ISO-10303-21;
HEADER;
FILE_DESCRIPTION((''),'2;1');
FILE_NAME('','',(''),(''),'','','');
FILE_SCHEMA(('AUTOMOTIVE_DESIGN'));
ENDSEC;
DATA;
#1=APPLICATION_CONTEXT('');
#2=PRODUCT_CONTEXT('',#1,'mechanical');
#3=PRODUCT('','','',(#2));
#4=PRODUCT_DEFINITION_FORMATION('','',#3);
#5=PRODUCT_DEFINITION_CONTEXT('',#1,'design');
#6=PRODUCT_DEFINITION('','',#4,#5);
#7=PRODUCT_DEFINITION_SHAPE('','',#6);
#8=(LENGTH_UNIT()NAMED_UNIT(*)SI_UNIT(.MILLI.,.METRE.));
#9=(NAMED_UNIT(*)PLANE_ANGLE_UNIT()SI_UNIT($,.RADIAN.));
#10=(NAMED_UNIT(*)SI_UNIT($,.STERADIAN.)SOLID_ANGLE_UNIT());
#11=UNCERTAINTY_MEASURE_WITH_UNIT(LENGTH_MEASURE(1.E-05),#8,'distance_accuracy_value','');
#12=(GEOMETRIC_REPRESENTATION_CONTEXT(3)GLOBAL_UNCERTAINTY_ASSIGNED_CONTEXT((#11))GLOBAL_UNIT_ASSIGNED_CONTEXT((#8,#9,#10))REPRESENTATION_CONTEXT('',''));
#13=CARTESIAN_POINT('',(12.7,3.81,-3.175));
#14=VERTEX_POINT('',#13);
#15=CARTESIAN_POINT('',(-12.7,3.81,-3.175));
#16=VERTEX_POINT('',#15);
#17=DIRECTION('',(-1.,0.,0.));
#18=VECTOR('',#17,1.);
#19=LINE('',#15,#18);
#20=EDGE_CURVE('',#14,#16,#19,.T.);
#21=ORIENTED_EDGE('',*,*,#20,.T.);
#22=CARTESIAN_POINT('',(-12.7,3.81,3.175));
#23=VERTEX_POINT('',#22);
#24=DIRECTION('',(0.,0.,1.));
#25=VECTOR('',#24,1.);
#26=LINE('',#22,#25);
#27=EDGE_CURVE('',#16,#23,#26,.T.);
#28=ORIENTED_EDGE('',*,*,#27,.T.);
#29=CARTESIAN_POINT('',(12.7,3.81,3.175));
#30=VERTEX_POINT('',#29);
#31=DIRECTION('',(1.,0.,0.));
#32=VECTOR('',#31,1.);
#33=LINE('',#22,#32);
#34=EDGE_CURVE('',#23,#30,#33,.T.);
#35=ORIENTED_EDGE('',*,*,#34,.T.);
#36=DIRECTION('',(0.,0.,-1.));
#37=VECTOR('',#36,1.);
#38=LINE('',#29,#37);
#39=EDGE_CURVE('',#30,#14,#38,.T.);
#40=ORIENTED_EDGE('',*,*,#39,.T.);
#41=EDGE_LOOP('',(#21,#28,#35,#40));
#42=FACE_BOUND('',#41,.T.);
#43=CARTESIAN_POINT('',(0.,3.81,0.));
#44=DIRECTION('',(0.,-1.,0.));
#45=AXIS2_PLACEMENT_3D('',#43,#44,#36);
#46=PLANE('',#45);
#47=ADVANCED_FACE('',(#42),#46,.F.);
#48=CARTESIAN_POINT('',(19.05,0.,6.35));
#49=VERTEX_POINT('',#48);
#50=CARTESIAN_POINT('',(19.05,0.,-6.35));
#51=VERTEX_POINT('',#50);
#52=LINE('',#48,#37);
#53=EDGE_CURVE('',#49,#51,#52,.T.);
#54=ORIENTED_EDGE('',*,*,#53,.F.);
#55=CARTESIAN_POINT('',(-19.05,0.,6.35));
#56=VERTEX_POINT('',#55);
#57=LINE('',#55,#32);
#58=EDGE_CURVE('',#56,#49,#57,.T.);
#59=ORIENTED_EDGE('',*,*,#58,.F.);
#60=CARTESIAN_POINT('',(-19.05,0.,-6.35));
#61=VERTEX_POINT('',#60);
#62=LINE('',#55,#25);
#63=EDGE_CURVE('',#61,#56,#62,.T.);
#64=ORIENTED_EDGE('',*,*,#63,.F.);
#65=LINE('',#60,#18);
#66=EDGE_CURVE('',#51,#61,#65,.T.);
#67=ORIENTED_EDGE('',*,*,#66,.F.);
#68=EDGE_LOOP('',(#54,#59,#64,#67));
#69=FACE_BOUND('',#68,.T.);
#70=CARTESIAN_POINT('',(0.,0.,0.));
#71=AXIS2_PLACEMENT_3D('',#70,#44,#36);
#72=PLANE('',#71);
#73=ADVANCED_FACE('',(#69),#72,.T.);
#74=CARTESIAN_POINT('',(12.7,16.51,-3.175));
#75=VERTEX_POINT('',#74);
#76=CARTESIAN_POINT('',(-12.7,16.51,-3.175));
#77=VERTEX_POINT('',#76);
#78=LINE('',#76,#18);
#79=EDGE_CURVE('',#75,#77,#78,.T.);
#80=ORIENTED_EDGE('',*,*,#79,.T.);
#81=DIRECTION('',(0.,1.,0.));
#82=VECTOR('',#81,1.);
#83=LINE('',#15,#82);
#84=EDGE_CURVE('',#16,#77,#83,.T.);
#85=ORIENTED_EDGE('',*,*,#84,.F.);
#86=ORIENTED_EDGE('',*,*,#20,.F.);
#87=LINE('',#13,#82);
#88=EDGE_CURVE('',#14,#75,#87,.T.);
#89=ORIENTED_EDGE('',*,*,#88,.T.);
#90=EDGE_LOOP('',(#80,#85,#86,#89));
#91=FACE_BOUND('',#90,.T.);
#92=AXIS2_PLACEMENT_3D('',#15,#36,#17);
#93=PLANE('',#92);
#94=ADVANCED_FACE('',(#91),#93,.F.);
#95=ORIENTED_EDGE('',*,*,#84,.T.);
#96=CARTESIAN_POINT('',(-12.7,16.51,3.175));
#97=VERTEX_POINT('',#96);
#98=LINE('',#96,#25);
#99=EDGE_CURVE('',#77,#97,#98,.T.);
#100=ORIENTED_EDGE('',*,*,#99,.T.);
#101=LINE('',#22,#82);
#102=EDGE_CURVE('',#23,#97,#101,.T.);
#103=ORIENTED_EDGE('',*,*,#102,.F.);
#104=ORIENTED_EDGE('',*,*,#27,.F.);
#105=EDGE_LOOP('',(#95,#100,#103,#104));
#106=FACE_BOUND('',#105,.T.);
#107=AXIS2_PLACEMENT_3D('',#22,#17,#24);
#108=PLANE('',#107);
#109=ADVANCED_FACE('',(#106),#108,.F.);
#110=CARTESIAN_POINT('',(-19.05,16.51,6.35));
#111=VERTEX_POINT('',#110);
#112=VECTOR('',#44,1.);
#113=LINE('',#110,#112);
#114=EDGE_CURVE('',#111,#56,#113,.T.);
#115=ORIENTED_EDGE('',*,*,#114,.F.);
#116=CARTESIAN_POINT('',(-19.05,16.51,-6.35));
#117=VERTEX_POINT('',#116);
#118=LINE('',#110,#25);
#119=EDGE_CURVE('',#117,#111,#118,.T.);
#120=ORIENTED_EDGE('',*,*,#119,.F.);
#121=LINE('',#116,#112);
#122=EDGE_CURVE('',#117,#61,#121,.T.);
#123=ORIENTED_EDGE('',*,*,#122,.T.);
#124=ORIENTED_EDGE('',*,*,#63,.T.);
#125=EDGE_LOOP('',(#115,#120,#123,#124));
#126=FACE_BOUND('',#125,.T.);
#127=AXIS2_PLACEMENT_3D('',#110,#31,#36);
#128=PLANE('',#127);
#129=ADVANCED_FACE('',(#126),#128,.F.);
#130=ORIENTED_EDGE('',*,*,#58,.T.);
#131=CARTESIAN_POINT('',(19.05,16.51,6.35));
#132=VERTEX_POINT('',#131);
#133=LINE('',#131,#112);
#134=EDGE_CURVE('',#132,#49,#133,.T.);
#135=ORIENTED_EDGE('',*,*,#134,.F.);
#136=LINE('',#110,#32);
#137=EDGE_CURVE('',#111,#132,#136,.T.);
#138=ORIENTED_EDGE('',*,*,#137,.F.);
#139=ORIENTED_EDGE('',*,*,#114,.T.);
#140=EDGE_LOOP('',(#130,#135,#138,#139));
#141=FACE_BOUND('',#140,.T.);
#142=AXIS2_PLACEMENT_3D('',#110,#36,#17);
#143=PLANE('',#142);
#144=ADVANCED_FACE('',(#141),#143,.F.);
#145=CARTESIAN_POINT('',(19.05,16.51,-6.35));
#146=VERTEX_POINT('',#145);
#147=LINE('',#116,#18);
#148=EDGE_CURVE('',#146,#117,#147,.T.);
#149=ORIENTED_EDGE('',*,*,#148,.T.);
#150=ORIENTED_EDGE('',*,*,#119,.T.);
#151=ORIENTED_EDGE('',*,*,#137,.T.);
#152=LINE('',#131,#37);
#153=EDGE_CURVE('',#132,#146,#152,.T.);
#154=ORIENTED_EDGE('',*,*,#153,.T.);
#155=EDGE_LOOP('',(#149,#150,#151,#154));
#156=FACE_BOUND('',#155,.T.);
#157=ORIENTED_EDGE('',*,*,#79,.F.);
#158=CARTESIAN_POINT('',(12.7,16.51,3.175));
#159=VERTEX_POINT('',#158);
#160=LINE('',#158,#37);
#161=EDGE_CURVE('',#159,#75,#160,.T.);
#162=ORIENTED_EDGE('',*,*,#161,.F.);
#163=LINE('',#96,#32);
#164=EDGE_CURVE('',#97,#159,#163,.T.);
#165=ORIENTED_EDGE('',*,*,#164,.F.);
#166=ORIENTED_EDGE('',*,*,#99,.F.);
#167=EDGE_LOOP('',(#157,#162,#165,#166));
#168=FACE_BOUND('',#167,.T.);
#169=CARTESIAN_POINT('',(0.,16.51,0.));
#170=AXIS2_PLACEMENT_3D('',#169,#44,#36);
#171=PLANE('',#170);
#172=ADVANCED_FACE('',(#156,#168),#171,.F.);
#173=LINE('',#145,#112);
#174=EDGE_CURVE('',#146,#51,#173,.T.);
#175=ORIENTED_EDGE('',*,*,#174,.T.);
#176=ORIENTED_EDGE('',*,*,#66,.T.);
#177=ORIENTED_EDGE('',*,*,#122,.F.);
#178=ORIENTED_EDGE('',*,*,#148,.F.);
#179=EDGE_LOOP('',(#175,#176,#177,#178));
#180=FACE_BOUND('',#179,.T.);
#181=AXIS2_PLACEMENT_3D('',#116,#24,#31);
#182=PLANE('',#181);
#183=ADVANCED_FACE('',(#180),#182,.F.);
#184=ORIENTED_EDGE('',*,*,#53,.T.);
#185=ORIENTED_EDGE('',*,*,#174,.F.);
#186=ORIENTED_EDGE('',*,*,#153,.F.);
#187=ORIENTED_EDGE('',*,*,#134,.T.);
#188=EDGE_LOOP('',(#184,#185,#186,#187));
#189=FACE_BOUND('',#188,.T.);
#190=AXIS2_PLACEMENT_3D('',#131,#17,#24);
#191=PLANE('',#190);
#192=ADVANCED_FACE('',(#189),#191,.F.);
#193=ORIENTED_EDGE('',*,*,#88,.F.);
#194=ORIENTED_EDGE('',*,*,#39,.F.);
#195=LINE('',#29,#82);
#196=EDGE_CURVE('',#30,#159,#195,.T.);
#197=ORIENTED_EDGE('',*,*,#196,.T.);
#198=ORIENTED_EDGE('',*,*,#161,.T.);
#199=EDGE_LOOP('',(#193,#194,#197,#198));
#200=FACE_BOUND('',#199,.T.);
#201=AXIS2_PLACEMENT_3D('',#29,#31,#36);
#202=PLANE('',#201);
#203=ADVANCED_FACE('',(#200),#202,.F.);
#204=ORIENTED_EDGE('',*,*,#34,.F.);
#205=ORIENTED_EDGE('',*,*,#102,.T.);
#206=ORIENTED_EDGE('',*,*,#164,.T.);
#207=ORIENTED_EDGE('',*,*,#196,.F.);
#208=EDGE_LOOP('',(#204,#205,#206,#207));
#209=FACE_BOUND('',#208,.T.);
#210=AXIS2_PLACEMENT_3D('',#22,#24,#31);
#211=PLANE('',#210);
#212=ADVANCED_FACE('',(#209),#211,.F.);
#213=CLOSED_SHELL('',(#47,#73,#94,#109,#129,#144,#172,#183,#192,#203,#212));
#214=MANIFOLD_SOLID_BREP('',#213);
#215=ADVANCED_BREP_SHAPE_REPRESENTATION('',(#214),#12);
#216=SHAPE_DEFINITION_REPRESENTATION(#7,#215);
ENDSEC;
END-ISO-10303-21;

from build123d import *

# Parameters (mm, degrees)
SKETCH1_W           = 38.1
SKETCH1_H           = 12.7
BOSS_EXTRUDE1_DEPTH = 16.51
SKETCH2_W           = 25.4
SKETCH2_H           = 6.35
CUT_EXTRUDE1_DEPTH  = 12.7


with BuildPart() as part:
    # Sketch1 → Boss-Extrude1 (new body)
    with BuildSketch(Plane(origin=(0, 0, 0), x_dir=(1, 0, 0), z_dir=(0, 1, 0))):
        Rectangle(SKETCH1_W, SKETCH1_H)
    extrude(amount=BOSS_EXTRUDE1_DEPTH)

    # Sketch2 → Cut-Extrude1 (cut)
    with BuildSketch(Plane(origin=(0, 16.51, 0), x_dir=(1, 0, 0), z_dir=(0, 1, 0))):
        Rectangle(SKETCH2_W, SKETCH2_H)
    extrude(amount=-CUT_EXTRUDE1_DEPTH, mode=Mode.SUBTRACT)


solid = part.part
